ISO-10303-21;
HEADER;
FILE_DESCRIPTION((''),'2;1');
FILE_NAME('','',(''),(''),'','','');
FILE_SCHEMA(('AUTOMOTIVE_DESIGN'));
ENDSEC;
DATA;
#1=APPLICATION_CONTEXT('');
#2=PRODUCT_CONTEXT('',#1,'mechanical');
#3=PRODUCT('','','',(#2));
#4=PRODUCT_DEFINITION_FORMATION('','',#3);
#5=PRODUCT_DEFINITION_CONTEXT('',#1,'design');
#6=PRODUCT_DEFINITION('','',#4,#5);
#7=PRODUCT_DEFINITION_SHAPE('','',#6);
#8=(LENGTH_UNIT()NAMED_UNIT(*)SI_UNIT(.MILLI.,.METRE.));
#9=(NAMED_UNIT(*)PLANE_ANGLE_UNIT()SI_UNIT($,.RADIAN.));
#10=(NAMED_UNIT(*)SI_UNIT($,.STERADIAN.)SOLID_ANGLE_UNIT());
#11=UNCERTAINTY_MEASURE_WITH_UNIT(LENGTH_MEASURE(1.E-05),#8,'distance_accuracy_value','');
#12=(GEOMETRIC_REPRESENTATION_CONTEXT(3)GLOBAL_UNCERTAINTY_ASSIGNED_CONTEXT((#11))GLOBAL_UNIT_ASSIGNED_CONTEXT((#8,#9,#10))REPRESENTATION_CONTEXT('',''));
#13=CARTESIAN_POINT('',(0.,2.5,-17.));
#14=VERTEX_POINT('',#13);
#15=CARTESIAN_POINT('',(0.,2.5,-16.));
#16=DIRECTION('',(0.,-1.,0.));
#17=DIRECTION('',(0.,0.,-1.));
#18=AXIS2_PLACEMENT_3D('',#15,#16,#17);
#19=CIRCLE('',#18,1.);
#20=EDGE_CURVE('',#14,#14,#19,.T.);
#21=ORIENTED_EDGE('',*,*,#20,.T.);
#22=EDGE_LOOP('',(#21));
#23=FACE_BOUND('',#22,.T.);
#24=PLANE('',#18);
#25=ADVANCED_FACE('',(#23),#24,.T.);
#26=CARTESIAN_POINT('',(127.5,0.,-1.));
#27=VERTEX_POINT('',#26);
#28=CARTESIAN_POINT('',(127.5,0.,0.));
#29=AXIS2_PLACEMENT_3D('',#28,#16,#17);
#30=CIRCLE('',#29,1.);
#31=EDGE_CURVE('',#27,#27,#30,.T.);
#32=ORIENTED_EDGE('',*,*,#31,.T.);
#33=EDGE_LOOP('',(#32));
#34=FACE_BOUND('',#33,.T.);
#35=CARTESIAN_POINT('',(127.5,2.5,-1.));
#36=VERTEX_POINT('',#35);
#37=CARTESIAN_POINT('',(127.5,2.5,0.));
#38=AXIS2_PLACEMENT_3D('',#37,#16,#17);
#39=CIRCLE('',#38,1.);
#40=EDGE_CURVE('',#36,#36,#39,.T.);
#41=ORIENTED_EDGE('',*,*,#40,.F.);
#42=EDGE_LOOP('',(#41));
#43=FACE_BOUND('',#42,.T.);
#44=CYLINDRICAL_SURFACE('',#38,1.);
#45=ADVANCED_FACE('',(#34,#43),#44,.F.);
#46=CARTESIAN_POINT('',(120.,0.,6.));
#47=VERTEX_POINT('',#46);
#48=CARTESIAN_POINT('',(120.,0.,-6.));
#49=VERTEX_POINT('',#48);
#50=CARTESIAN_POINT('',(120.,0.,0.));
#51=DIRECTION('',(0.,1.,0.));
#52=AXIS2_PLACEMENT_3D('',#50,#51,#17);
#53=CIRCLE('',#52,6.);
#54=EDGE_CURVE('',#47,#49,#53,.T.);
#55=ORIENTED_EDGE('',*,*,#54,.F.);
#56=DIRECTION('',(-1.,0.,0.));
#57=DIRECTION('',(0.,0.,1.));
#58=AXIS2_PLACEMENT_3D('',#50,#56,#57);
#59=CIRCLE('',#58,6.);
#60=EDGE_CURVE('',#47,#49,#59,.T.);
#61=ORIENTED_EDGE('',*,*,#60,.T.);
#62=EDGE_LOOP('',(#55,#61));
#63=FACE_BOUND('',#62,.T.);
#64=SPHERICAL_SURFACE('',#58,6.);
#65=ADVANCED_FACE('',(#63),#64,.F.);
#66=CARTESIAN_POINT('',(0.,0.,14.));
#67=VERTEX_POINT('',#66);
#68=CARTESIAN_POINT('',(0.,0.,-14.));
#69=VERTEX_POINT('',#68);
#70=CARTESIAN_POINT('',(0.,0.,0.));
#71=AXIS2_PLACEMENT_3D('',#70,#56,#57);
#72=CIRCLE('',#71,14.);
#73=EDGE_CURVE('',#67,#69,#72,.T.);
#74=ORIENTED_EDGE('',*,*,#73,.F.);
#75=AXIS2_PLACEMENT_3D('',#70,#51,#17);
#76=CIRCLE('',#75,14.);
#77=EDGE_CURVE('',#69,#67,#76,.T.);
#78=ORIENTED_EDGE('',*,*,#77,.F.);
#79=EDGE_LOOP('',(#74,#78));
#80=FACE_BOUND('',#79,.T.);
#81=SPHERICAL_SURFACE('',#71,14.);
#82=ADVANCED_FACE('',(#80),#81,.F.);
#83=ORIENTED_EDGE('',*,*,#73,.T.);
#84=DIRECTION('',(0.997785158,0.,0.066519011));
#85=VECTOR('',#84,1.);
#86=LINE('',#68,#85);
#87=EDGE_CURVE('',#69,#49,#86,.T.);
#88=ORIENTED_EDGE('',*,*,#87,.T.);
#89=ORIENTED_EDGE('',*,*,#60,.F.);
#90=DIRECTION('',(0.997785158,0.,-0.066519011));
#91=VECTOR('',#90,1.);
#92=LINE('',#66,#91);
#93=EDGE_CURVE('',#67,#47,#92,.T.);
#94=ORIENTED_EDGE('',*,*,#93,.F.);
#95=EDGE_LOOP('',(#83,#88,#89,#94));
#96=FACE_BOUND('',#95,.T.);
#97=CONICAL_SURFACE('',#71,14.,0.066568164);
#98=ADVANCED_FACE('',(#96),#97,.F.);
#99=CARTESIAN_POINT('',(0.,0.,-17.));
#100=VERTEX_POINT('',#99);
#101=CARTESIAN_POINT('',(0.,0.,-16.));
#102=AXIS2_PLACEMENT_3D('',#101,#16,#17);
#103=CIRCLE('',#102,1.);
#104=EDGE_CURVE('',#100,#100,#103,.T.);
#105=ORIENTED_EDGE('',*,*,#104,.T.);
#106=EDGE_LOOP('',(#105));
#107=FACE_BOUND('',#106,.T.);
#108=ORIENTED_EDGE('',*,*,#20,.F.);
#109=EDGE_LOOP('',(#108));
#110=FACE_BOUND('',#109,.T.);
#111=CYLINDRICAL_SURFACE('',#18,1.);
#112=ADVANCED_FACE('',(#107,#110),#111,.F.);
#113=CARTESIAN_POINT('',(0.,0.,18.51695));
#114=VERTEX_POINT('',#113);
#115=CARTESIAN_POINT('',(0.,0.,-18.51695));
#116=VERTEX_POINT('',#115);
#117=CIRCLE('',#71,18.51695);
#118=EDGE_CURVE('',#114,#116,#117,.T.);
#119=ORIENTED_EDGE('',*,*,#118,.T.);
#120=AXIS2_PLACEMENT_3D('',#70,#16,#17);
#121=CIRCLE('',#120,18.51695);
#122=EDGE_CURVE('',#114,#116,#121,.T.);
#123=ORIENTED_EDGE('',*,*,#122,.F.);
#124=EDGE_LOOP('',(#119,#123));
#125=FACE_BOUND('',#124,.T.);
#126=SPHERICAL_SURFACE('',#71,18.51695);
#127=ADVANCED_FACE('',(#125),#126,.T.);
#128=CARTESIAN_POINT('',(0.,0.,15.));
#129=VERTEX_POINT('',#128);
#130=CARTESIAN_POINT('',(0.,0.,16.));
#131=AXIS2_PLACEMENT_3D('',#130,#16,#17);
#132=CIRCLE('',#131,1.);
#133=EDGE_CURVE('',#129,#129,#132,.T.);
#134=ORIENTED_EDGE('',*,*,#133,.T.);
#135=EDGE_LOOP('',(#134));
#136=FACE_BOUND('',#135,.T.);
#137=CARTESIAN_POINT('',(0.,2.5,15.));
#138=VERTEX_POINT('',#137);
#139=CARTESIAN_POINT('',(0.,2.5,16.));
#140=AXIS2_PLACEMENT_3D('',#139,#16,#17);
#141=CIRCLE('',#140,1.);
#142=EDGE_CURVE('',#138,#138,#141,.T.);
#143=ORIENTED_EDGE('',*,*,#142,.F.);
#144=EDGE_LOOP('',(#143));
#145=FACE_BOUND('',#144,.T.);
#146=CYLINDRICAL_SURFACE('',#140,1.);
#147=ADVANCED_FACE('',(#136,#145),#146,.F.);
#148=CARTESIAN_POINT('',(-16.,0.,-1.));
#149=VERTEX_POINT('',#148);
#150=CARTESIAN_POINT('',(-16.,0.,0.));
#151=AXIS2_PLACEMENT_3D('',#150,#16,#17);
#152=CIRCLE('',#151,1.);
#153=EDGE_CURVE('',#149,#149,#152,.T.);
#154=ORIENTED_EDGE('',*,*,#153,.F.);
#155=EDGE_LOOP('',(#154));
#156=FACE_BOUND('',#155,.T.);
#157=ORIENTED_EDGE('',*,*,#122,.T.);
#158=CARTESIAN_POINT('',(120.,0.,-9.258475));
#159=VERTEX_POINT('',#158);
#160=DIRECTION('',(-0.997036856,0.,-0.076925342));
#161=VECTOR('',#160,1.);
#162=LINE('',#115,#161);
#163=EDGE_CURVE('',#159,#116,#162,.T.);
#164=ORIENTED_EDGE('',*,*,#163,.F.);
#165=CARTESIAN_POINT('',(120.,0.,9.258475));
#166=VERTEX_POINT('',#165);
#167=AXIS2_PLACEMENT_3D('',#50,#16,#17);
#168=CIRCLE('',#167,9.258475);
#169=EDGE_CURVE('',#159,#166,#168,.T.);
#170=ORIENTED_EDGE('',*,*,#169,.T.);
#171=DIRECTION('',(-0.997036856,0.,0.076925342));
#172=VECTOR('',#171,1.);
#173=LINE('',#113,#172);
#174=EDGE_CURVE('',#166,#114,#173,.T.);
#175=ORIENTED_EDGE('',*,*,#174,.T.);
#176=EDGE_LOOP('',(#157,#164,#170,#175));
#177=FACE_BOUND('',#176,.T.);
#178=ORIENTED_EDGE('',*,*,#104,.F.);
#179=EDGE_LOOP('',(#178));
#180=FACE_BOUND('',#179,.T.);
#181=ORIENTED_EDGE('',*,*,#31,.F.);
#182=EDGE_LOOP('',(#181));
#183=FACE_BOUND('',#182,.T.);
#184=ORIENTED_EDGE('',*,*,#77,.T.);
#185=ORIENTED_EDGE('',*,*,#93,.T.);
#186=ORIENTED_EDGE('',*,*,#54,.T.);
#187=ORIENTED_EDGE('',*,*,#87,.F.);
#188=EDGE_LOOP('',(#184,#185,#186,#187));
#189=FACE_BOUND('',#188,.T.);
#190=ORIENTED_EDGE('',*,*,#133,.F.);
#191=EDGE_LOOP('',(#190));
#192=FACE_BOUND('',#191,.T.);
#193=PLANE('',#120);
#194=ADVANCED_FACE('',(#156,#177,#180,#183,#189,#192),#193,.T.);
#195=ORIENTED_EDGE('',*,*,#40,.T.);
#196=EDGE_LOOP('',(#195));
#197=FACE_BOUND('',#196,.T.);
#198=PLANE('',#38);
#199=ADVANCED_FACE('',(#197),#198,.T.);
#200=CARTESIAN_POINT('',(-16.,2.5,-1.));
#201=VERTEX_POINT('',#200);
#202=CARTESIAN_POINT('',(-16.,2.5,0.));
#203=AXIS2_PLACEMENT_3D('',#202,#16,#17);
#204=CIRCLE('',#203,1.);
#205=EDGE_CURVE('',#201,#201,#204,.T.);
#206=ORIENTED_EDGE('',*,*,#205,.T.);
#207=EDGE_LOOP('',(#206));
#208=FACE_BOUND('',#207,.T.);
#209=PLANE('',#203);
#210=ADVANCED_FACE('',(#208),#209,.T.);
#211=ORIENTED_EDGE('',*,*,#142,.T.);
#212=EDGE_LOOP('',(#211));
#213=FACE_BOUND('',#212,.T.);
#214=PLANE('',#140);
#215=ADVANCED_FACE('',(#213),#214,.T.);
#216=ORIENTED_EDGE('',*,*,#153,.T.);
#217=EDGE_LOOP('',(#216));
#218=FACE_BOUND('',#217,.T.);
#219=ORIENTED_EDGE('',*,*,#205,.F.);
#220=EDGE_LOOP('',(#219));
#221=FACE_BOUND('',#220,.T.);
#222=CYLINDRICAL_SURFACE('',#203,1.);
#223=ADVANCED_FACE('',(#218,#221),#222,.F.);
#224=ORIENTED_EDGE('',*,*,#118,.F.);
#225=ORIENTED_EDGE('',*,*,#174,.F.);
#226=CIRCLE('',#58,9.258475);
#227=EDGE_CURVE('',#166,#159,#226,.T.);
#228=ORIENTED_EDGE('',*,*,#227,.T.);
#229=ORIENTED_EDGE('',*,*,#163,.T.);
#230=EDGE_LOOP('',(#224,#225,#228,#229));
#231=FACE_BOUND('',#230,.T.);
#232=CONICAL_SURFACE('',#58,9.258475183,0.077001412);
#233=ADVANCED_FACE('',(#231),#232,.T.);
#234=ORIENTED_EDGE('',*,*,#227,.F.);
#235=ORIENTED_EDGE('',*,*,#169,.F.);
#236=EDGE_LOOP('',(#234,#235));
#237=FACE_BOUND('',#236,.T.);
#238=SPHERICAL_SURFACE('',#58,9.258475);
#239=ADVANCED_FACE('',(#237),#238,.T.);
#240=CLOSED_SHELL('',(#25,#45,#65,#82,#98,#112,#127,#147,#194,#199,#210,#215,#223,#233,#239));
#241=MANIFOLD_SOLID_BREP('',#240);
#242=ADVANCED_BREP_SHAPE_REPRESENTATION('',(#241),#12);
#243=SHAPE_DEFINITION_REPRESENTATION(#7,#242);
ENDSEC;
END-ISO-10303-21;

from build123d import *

# Parameters (mm, degrees)
REVOLVE1_ANGLE     = 180
SKETCH3_R          = 1
CUT_EXTRUDE1_DEPTH = 2.5


with BuildPart() as part:
    # Sketch1 → Revolve1 (revolve)
    with BuildSketch(Plane(origin=(0, 0, 0), x_dir=(1, 0, 0), z_dir=(0, 1, 0))):
        with BuildLine():
            Line((0, 18.516950365), (120, 9.258475183))
            ThreePointArc((120, 9.258475183), (126.546730585, 6.546730585), (129.258475183, 0))
            Line((129.258475183, 0), (126, 0))
            ThreePointArc((126, 0), (124.242640687, 4.242640687), (120, 6))
            Line((120, 6), (0, 14))
            ThreePointArc((0, 14), (-9.899494937, 9.899494937), (-14, 0))
            Line((-14, 0), (-18.516950365, 0))
            ThreePointArc((-18.516950365, 0), (-13.09346117, 13.09346117), (0, 18.516950365))
        make_face()
    revolve(axis=Axis((-18.516950365, 0, 0), (1, 0, 0)), revolution_arc=REVOLVE1_ANGLE)

    # Sketch3 → Cut-Extrude1 (cut)
    with BuildSketch(Plane.XZ):
        with Locations(Location((-16, 0, 0), (0, 0, 270))):
            Circle(SKETCH3_R)
        with Locations(Location((0, 16, 0), (0, 0, 270))):
            Circle(SKETCH3_R)
        with Locations(Location((0, -16, 0), (0, 0, 270))):
            Circle(SKETCH3_R)
        with Locations(Location((127.5, 0, 0), (0, 0, 270))):
            Circle(SKETCH3_R)
    extrude(amount=-CUT_EXTRUDE1_DEPTH, mode=Mode.SUBTRACT)


solid = part.part
